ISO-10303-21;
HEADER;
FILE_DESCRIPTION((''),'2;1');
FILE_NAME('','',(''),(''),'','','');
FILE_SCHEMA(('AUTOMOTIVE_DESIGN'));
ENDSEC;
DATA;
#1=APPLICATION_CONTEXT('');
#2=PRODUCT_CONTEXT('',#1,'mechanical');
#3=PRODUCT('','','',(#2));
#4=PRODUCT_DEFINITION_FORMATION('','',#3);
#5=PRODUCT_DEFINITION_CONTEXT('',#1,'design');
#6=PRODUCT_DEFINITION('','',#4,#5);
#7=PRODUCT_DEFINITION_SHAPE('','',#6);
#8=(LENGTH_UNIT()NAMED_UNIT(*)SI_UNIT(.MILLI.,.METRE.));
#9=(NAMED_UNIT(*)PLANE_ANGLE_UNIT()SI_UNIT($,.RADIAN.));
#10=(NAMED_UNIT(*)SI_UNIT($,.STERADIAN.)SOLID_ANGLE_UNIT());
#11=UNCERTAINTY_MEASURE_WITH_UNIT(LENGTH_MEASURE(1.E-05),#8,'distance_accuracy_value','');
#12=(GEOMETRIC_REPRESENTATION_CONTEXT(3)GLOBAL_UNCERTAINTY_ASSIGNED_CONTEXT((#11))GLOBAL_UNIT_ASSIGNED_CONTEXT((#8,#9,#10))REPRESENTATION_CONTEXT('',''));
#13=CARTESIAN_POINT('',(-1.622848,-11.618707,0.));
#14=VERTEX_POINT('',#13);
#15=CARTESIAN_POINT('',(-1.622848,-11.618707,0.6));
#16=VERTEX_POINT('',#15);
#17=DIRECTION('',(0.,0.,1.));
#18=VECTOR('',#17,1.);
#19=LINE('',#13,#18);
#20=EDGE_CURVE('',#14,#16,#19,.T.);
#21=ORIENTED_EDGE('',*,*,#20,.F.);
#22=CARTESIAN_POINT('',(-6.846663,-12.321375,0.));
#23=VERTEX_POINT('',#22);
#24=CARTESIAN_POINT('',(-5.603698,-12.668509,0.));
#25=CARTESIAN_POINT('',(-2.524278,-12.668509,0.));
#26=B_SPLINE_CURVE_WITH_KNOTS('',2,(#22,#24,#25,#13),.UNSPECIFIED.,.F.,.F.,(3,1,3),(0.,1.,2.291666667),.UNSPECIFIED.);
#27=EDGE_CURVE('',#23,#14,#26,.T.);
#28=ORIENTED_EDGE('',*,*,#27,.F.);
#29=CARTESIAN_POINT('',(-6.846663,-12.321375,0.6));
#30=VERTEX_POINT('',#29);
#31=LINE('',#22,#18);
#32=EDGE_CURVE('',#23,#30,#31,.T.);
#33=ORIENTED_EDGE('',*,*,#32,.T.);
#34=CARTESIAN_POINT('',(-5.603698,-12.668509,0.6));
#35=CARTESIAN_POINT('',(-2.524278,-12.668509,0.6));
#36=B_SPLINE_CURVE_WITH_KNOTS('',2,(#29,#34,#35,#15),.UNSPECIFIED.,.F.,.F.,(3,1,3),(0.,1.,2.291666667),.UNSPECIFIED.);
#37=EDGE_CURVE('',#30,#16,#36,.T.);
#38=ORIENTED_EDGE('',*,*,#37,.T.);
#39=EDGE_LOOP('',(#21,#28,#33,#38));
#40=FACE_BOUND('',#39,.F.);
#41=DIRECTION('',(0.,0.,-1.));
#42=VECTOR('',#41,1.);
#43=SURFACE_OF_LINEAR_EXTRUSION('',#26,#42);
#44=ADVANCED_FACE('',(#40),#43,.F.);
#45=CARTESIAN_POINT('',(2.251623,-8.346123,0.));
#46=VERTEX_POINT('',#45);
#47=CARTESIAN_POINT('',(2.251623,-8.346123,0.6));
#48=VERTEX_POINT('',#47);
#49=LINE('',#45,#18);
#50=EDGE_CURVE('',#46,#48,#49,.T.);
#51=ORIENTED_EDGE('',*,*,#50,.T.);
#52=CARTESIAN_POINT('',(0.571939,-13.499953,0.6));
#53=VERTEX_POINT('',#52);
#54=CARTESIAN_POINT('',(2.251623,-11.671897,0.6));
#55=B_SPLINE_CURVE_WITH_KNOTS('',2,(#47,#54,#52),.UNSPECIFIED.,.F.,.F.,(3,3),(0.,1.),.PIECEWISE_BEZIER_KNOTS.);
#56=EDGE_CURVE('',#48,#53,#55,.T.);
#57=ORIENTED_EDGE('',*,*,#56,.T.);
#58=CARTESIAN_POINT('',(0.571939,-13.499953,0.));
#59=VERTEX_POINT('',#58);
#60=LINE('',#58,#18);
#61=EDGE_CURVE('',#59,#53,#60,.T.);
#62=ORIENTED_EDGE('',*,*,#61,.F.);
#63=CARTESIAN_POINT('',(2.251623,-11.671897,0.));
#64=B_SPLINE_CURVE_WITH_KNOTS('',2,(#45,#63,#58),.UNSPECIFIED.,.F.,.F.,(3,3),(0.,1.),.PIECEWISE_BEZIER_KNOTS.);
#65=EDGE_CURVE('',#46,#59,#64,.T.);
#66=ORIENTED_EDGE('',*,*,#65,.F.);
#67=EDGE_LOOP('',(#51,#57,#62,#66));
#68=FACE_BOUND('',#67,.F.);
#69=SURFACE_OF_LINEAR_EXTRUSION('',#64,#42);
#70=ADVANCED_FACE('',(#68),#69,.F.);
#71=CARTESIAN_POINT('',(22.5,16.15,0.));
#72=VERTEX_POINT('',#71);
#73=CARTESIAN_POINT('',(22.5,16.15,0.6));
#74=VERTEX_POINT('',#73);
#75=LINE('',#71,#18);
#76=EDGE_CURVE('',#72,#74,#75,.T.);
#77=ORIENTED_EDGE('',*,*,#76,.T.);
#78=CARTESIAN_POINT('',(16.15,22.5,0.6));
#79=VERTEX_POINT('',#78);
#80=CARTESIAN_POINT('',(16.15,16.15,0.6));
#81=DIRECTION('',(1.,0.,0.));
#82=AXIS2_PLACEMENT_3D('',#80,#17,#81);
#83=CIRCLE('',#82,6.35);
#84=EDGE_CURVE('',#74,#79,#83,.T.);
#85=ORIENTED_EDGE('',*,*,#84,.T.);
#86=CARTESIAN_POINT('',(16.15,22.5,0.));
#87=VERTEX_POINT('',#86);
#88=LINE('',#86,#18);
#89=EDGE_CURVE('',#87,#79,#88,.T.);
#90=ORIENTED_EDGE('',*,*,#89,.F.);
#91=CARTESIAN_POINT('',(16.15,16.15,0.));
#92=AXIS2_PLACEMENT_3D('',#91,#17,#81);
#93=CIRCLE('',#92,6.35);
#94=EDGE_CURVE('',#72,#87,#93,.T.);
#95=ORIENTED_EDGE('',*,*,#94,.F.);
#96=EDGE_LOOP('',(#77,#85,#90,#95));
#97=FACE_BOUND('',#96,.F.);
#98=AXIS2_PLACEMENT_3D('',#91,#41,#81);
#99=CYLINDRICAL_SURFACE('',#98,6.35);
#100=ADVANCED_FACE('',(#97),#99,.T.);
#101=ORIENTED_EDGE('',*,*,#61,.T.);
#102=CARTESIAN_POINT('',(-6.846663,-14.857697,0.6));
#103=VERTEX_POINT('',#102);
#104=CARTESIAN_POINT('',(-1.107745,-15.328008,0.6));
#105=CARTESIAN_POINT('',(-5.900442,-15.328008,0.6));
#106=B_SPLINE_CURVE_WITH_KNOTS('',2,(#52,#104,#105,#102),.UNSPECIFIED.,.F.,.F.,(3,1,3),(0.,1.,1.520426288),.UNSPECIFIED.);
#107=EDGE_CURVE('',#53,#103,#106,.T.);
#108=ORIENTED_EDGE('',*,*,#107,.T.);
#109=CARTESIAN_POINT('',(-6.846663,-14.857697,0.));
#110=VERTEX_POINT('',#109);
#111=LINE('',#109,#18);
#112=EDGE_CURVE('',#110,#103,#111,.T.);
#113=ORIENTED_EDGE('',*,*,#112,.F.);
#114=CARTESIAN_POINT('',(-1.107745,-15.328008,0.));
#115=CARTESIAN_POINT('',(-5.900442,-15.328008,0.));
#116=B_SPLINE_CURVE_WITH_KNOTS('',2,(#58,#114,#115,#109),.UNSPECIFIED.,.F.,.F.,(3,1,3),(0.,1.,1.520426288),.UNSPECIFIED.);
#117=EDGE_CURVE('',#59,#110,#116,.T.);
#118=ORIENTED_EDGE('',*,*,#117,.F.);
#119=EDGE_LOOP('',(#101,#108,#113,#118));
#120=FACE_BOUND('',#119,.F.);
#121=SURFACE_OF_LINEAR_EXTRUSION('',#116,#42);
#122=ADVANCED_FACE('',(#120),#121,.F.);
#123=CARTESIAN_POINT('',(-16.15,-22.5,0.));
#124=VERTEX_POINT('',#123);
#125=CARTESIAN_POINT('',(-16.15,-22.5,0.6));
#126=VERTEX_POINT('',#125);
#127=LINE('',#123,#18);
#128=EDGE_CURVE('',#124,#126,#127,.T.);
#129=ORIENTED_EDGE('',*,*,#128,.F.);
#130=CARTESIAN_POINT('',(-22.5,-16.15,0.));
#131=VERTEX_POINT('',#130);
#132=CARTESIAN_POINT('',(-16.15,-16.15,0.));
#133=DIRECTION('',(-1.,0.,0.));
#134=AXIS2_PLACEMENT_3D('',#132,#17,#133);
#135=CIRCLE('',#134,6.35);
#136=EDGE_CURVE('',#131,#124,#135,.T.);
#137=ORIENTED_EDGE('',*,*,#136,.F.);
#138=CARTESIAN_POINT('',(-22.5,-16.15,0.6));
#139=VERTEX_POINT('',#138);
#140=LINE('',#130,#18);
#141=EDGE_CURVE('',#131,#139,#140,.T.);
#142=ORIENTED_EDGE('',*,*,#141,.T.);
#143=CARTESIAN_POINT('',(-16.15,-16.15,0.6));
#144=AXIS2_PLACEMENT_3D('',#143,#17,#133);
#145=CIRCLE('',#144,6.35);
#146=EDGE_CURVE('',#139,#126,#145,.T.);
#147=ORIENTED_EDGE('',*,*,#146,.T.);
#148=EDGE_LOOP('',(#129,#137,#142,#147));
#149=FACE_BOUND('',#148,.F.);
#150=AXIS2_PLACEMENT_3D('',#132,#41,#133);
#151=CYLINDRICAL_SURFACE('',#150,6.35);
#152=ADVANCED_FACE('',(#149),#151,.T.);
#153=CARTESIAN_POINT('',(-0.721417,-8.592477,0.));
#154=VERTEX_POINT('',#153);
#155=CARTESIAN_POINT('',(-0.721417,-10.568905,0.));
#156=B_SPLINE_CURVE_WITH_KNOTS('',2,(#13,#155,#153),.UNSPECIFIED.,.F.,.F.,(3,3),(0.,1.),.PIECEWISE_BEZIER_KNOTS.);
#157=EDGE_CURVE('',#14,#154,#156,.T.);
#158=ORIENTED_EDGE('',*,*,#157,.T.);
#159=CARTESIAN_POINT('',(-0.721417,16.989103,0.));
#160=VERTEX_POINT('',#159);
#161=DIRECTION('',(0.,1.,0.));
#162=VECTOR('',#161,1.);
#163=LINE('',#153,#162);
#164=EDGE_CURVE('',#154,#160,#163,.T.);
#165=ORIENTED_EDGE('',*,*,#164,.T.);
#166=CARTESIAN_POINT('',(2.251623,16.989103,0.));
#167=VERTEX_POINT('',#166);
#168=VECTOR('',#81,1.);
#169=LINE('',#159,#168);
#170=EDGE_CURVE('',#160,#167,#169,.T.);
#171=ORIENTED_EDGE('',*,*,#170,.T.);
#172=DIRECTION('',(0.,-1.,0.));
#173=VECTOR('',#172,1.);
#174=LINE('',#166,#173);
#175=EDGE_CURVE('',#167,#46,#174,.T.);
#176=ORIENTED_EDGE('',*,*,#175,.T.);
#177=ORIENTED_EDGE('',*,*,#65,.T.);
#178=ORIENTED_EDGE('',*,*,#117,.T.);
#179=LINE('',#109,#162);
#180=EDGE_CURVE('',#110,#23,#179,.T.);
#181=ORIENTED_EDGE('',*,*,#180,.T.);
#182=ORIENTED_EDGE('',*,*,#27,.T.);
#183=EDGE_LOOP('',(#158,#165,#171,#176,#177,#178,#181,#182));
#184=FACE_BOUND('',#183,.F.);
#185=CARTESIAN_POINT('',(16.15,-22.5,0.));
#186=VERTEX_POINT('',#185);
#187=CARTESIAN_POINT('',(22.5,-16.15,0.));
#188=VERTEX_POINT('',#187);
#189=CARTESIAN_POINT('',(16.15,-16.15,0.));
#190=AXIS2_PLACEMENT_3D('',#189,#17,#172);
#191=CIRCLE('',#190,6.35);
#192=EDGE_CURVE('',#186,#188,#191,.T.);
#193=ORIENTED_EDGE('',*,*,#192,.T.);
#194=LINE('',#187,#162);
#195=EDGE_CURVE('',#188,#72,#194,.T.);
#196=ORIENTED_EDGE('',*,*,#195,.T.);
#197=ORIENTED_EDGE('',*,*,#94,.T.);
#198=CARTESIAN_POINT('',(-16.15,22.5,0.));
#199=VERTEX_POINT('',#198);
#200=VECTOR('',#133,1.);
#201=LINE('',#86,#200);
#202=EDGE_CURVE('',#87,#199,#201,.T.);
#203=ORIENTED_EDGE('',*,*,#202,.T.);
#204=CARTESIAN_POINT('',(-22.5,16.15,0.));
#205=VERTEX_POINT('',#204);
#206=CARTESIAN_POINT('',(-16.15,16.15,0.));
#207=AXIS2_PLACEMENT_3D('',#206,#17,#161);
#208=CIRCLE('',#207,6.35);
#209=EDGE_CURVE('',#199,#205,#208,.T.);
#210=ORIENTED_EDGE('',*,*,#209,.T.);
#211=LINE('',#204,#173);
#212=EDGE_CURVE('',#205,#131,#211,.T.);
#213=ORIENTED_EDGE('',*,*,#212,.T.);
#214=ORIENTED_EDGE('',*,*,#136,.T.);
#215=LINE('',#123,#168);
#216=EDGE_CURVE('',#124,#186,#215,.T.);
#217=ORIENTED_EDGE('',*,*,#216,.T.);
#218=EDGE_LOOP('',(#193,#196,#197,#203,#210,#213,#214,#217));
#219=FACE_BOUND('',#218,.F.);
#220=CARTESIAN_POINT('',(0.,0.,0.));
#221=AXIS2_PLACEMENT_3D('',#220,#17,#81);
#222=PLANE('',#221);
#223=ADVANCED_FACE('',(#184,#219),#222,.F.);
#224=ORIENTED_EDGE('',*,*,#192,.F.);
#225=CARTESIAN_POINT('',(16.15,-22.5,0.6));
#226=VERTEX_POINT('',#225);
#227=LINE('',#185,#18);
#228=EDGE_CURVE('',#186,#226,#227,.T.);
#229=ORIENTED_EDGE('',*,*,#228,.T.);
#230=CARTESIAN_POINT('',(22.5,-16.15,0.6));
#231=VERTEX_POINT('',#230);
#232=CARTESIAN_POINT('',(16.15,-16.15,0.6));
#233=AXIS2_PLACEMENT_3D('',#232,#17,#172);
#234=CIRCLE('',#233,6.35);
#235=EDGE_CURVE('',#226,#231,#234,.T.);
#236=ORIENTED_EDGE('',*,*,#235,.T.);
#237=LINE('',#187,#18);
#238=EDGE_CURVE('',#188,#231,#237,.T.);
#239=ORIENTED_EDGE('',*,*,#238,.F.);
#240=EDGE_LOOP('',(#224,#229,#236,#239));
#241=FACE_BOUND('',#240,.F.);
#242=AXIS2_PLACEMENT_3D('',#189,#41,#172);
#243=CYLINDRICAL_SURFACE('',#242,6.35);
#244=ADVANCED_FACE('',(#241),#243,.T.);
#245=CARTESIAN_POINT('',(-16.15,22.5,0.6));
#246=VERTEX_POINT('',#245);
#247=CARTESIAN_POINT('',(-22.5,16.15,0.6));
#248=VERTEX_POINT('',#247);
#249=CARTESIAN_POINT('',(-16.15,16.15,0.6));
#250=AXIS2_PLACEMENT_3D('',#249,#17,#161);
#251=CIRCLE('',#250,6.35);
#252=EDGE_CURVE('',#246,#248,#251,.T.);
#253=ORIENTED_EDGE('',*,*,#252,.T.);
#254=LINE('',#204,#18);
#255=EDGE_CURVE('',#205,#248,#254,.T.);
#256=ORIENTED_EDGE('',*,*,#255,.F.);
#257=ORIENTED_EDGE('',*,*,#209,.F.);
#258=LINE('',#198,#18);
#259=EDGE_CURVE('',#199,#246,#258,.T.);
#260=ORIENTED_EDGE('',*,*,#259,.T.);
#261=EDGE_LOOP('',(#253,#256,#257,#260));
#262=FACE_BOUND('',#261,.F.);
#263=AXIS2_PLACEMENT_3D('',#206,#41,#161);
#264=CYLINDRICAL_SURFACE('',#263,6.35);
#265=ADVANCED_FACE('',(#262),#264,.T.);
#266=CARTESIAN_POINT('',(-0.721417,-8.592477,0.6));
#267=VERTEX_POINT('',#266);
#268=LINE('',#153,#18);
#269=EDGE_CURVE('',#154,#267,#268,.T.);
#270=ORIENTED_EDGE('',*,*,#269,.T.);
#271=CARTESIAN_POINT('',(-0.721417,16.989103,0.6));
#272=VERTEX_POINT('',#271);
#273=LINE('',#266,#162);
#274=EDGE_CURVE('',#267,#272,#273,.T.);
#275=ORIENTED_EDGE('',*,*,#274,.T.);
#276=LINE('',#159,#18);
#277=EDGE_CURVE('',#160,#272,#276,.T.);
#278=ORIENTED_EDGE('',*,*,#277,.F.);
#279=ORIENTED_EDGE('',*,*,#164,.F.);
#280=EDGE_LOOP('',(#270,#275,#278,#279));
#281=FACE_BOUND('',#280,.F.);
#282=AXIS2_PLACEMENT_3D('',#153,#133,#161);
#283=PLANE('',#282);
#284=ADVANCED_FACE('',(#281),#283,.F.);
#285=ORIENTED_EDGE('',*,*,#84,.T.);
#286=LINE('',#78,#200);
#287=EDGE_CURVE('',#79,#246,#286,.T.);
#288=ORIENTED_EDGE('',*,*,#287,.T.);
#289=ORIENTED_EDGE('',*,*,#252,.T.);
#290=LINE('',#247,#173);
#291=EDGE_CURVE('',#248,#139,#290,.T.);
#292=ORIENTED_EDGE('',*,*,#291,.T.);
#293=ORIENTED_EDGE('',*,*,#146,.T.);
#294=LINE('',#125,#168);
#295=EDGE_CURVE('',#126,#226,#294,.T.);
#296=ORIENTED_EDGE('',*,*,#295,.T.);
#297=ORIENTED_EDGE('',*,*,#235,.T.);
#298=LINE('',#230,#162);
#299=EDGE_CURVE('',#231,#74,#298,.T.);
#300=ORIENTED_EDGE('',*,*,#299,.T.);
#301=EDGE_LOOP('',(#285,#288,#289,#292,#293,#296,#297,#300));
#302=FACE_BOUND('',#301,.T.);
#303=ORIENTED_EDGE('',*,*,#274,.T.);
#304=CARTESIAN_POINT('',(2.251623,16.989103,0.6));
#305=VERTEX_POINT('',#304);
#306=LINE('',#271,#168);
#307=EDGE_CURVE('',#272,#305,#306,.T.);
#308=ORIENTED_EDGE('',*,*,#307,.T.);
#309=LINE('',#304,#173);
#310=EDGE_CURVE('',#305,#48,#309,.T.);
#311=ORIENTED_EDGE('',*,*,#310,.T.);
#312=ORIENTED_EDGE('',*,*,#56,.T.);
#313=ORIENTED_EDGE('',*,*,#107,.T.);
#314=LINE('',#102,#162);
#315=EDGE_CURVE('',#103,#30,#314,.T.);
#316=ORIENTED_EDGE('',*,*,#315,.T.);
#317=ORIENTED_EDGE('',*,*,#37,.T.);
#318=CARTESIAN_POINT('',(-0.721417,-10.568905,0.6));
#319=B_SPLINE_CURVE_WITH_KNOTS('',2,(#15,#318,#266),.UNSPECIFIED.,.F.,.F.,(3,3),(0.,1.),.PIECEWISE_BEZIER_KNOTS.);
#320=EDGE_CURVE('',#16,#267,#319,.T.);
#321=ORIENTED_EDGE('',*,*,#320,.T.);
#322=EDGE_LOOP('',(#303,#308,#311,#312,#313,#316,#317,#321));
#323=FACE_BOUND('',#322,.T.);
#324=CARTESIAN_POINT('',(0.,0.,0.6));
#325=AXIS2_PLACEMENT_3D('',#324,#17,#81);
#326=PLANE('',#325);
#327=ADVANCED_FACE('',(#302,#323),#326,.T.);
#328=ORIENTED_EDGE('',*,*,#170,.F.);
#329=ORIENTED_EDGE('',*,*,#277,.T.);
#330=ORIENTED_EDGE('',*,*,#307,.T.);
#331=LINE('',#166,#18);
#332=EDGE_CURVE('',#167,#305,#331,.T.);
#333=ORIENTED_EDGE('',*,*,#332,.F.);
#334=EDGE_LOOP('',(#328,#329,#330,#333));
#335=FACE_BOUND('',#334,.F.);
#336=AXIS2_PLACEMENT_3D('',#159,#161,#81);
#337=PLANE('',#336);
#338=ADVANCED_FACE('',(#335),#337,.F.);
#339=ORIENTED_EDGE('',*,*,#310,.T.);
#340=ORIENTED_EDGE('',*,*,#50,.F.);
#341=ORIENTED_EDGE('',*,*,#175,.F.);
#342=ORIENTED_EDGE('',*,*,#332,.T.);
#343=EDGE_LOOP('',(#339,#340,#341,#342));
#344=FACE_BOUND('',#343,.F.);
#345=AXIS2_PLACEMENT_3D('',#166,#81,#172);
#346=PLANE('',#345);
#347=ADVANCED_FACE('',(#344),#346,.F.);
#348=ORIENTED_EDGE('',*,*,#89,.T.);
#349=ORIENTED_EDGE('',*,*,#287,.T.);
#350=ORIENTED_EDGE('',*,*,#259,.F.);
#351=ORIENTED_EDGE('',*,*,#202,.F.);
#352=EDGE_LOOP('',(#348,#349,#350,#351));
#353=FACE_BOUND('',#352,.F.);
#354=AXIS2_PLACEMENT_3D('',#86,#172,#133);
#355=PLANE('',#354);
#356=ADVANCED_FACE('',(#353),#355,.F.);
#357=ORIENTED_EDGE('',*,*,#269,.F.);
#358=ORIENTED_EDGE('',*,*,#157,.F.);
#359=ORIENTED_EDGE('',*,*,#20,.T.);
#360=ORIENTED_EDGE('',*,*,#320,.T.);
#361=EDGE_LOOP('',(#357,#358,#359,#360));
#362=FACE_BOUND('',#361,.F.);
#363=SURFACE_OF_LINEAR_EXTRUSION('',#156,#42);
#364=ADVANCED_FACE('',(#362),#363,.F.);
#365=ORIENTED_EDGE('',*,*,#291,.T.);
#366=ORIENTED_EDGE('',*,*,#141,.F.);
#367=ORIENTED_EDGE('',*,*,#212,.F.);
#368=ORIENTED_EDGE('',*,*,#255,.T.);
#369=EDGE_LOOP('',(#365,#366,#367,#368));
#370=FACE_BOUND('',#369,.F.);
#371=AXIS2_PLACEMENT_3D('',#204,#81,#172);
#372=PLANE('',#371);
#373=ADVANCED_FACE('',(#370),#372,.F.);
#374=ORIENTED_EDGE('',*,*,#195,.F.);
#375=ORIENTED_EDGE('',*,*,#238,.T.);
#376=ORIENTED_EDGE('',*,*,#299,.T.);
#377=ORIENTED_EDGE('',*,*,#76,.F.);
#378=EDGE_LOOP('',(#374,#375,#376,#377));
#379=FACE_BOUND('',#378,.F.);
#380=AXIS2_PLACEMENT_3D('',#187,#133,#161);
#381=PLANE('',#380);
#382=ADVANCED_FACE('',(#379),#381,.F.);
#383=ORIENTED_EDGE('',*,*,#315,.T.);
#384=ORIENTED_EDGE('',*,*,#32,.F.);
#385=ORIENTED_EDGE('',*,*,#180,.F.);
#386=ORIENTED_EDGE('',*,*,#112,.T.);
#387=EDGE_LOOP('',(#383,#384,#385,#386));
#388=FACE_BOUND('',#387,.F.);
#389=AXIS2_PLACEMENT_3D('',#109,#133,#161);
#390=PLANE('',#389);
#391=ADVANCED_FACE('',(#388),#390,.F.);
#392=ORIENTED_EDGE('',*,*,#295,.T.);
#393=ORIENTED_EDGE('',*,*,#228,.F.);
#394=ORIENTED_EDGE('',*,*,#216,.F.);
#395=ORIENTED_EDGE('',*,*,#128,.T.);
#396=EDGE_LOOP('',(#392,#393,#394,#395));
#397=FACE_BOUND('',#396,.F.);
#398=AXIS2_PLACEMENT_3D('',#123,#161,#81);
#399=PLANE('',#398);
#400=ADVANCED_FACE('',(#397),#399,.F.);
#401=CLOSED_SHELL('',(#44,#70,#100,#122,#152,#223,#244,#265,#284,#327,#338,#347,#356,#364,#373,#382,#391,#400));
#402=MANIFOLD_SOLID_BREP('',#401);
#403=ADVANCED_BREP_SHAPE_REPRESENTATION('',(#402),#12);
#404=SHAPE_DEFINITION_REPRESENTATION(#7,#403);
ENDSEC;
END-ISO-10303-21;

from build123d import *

# Parameters (mm, degrees)
F2_DEPTH = 0.6


with BuildPart() as f2:
    # F0 (on Top) → F2 (new body)
    with BuildSketch(Plane.XY):
        with BuildLine():
            ThreePointArc((22.5, 16.15), (20.6401280605, 20.6401280605), (16.15, 22.5))
            Line((16.15, 22.5), (-16.15, 22.5))
            ThreePointArc((-16.15, 22.5), (-20.6401280605, 20.6401280605), (-22.5, 16.15))
            Line((-22.5, 16.15), (-22.5, -16.15))
            ThreePointArc((-22.5, -16.15), (-20.6401280605, -20.6401280605), (-16.15, -22.5))
            Line((-16.15, -22.5), (16.15, -22.5))
            ThreePointArc((16.15, -22.5), (20.6401280605, -20.6401280605), (22.5, -16.15))
            Line((22.5, -16.15), (22.5, 16.15))
        make_face()
        with BuildLine():
            add(Edge.make_bspline(
                [(0.5719390065, -13.4999525223), (-1.1077445488, -15.3280081249), (-4.2599506875, -15.3280081249)],
                knots=[0, 0, 0, 1, 1, 1], degree=2))
            add(Edge.make_bspline(
                [(-4.2599506875, -15.3280081249), (-5.9004416265, -15.3280081249), (-6.8466633626, -14.8576967295)],
                knots=[0, 0, 0, 1, 1, 1], degree=2))
            Line((-6.8466633626, -14.8576967295), (-6.8466633626, -12.321374561))
            add(Edge.make_bspline(
                [(-6.8466633626, -12.321374561), (-5.6036975317, -12.6685091624), (-4.2599506875, -12.6685091624)],
                knots=[0, 0, 0, 1, 1, 1], degree=2))
            add(Edge.make_bspline(
                [(-4.2599506875, -12.6685091624), (-2.5242776804, -12.6685091624), (-1.6228475057, -11.6187069404)],
                knots=[0, 0, 0, 1, 1, 1], degree=2))
            add(Edge.make_bspline(
                [(-1.6228475057, -11.6187069404), (-0.7214173311, -10.5689047183), (-0.7214173311, -8.5924770683)],
                knots=[0, 0, 0, 1, 1, 1], degree=2))
            Line((-0.7214173311, -8.5924770683), (-0.7214173311, 16.9891034784))
            Line((-0.7214173311, 16.9891034784), (2.2516225617, 16.9891034784))
            Line((2.2516225617, 16.9891034784), (2.2516225617, -8.3461234802))
            add(Edge.make_bspline(
                [(2.2516225617, -8.3461234802), (2.2516225617, -11.6718969196), (0.5719390065, -13.4999525223)],
                knots=[0, 0, 0, 1, 1, 1], degree=2))
        make_face(mode=Mode.SUBTRACT)
    extrude(amount=F2_DEPTH)


solid = f2.part
